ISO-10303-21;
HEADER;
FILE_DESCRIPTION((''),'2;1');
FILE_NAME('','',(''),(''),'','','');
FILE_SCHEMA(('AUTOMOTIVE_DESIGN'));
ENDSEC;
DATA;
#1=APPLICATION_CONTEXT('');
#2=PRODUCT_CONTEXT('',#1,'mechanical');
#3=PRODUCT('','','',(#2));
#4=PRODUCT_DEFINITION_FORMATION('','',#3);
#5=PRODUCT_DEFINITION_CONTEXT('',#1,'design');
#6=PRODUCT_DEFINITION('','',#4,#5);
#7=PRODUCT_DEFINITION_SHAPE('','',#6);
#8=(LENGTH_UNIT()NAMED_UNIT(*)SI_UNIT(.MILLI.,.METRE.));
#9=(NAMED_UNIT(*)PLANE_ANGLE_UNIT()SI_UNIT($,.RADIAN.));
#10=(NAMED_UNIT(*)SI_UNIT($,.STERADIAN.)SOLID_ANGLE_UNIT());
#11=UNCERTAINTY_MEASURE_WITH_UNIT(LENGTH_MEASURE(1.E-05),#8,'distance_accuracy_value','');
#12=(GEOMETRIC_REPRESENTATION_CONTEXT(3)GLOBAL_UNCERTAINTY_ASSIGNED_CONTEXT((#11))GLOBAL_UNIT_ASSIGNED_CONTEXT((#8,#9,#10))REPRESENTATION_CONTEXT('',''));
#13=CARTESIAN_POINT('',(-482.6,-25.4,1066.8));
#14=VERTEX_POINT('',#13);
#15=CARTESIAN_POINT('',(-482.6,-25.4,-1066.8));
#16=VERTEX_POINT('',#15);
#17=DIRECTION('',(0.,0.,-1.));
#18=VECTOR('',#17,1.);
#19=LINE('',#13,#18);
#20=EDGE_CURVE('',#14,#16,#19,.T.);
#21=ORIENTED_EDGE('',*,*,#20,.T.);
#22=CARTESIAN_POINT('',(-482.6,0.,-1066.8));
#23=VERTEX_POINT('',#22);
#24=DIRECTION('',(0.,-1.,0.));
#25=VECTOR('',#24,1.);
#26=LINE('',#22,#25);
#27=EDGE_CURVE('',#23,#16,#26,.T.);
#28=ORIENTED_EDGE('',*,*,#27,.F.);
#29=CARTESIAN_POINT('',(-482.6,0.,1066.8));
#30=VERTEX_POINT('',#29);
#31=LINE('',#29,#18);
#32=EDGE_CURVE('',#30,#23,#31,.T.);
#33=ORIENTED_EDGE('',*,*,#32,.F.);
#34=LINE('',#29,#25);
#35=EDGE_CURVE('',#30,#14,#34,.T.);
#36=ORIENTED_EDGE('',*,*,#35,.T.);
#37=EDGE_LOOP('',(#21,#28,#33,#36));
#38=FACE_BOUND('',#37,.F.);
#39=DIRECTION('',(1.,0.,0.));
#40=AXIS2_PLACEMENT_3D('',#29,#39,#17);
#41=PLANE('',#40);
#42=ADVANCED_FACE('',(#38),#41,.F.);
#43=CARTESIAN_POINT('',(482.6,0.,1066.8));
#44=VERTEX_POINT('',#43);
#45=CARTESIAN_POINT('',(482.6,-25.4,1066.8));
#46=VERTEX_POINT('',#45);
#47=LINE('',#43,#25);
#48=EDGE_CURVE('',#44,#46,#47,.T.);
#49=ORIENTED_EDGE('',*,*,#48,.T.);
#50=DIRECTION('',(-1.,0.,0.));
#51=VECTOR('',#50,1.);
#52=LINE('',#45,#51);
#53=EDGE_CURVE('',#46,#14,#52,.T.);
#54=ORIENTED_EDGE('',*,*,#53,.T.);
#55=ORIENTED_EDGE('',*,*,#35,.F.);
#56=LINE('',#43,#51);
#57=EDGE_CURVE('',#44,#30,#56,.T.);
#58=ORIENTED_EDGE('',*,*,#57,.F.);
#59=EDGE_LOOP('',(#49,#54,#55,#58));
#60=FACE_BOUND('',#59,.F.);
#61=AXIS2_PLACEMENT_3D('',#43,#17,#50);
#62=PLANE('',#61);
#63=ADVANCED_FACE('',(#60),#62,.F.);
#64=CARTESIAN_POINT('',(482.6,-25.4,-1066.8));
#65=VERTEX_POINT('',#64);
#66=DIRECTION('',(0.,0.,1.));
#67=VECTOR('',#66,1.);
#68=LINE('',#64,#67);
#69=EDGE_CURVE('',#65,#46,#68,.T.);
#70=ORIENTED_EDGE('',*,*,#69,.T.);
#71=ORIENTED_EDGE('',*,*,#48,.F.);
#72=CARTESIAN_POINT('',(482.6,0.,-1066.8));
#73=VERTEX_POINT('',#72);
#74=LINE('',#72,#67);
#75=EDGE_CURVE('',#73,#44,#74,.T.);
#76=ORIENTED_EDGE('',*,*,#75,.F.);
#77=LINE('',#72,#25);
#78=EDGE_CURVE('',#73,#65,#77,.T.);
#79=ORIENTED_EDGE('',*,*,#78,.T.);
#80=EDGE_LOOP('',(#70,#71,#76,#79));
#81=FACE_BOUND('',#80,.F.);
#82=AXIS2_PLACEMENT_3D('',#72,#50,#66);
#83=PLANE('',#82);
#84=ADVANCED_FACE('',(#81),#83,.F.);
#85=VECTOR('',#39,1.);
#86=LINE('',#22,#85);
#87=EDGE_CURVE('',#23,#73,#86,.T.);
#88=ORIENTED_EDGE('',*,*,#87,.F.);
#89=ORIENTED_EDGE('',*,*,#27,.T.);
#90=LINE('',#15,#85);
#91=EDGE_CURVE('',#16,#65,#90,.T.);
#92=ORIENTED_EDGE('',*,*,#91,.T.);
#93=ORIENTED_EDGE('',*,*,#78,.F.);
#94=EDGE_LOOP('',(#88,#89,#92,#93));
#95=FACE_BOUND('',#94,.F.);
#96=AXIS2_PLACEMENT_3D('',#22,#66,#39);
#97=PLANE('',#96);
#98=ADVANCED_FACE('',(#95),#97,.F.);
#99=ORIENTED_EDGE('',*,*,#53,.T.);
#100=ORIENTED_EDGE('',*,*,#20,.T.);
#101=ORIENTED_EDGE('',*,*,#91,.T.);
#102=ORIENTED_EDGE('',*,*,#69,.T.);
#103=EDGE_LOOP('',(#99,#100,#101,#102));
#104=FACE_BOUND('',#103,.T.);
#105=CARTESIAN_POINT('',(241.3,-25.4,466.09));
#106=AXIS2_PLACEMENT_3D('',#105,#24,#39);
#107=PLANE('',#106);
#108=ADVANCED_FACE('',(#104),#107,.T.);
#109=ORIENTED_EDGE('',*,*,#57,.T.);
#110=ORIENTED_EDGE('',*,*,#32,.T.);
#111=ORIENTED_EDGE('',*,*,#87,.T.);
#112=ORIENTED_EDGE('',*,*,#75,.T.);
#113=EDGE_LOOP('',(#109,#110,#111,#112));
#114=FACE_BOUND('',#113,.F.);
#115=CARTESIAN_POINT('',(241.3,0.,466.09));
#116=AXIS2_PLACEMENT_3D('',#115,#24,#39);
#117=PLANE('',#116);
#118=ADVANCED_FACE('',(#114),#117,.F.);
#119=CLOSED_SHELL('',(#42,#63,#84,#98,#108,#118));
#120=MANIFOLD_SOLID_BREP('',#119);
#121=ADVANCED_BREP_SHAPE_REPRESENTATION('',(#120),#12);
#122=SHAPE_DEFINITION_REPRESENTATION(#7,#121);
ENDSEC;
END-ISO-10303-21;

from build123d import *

# Parameters (mm, degrees)
F1_DEPTH = 25.4


with BuildPart() as f1:
    # F0 (on Front) → F1 (new body)
    with BuildSketch(Plane.XZ):
        Polygon((0, 635.508), (482.6, 152.908), (482.6, 296.672), (0, 779.272), align=None)
        Polygon((-482.6, 296.672), (0, 779.272), (0, 923.036), (-482.6, 440.436), align=None)
        Polygon((0, 1066.8), (482.6, 584.2), (482.6, 727.964), (143.764, 1066.8), align=None)
        Polygon((-482.6, 584.2), (0, 1066.8), (-143.764, 1066.8), (-482.6, 727.964), align=None)
        Polygon((-482.6, 440.436), (0, 923.036), (0, 1066.8), (-482.6, 584.2), align=None)
        Polygon((-482.6, 727.964), (-143.764, 1066.8), (-287.528, 1066.8), (-482.6, 871.728), align=None)
        Polygon((-482.6, 152.908), (0, 635.508), (0, 779.272), (-482.6, 296.672), align=None)
        Polygon((0, 779.272), (482.6, 296.672), (482.6, 440.436), (0, 923.036), align=None)
        Polygon((143.764, 1066.8), (482.6, 727.964), (482.6, 871.728), (287.528, 1066.8), align=None)
        Polygon((431.292, 1066.8), (482.6, 1015.492), (482.6, 1066.8), align=None)
        Polygon((-482.6, 1015.492), (-431.292, 1066.8), (-482.6, 1066.8), align=None)
        Polygon((-482.6, 871.728), (-287.528, 1066.8), (-431.292, 1066.8), (-482.6, 1015.492), align=None)
        Polygon((287.528, 1066.8), (482.6, 871.728), (482.6, 1015.492), (431.292, 1066.8), align=None)
        Polygon((0, 923.036), (482.6, 440.436), (482.6, 584.2), (0, 1066.8), align=None)
        Polygon((0, 491.744), (482.6, 9.144), (482.6, 152.908), (0, 635.508), align=None)
        Polygon((-482.6, 9.144), (0, 491.744), (0, 635.508), (-482.6, 152.908), align=None)
        Polygon((-482.6, -134.62), (0, 347.98), (0, 491.744), (-482.6, 9.144), align=None)
        Polygon((-482.6, -278.384), (0, 204.216), (0, 347.98), (-482.6, -134.62), align=None)
        Polygon((-482.6, -422.148), (0, 60.452), (0, 204.216), (-482.6, -278.384), align=None)
        Polygon((-482.6, -565.912), (0, -83.312), (0, 60.452), (-482.6, -422.148), align=None)
        Polygon((-482.6, -709.676), (0, -227.076), (0, -83.312), (-482.6, -565.912), align=None)
        Polygon((-482.6, -853.44), (0, -370.84), (0, -227.076), (-482.6, -709.676), align=None)
        Polygon((-482.6, -997.204), (0, -514.604), (0, -370.84), (-482.6, -853.44), align=None)
        Polygon((-408.432, -1066.8), (0, -658.368), (0, -514.604), (-482.6, -997.204), (-482.6, -1066.8), align=None)
        Polygon((0, -945.896), (0, -802.132), (-264.668, -1066.8), (-120.904, -1066.8), align=None)
        Polygon((-120.904, -1066.8), (0, -1066.8), (0, -945.896), align=None)
        Polygon((0, 347.98), (482.6, -134.62), (482.6, 9.144), (0, 491.744), align=None)
        Polygon((0, 204.216), (482.6, -278.384), (482.6, -134.62), (0, 347.98), align=None)
        Polygon((0, 60.452), (482.6, -422.148), (482.6, -278.384), (0, 204.216), align=None)
        Polygon((0, -83.312), (482.6, -565.912), (482.6, -422.148), (0, 60.452), align=None)
        Polygon((0, -227.076), (482.6, -709.676), (482.6, -565.912), (0, -83.312), align=None)
        Polygon((0, -370.84), (482.6, -853.44), (482.6, -709.676), (0, -227.076), align=None)
        Polygon((0, -514.604), (482.6, -997.204), (482.6, -853.44), (0, -370.84), align=None)
        Polygon((408.432, -1066.8), (482.6, -1066.8), (482.6, -997.204), (0, -514.604), (0, -658.368), align=None)
        Polygon((264.668, -1066.8), (408.432, -1066.8), (0, -658.368), (0, -802.132), align=None)
        Polygon((120.904, -1066.8), (264.668, -1066.8), (0, -802.132), (0, -945.896), align=None)
        Polygon((0, -1066.8), (120.904, -1066.8), (0, -945.896), align=None)
        Polygon((0, -802.132), (0, -658.368), (-408.432, -1066.8), (-264.668, -1066.8), align=None)
    extrude(amount=F1_DEPTH)


solid = f1.part
